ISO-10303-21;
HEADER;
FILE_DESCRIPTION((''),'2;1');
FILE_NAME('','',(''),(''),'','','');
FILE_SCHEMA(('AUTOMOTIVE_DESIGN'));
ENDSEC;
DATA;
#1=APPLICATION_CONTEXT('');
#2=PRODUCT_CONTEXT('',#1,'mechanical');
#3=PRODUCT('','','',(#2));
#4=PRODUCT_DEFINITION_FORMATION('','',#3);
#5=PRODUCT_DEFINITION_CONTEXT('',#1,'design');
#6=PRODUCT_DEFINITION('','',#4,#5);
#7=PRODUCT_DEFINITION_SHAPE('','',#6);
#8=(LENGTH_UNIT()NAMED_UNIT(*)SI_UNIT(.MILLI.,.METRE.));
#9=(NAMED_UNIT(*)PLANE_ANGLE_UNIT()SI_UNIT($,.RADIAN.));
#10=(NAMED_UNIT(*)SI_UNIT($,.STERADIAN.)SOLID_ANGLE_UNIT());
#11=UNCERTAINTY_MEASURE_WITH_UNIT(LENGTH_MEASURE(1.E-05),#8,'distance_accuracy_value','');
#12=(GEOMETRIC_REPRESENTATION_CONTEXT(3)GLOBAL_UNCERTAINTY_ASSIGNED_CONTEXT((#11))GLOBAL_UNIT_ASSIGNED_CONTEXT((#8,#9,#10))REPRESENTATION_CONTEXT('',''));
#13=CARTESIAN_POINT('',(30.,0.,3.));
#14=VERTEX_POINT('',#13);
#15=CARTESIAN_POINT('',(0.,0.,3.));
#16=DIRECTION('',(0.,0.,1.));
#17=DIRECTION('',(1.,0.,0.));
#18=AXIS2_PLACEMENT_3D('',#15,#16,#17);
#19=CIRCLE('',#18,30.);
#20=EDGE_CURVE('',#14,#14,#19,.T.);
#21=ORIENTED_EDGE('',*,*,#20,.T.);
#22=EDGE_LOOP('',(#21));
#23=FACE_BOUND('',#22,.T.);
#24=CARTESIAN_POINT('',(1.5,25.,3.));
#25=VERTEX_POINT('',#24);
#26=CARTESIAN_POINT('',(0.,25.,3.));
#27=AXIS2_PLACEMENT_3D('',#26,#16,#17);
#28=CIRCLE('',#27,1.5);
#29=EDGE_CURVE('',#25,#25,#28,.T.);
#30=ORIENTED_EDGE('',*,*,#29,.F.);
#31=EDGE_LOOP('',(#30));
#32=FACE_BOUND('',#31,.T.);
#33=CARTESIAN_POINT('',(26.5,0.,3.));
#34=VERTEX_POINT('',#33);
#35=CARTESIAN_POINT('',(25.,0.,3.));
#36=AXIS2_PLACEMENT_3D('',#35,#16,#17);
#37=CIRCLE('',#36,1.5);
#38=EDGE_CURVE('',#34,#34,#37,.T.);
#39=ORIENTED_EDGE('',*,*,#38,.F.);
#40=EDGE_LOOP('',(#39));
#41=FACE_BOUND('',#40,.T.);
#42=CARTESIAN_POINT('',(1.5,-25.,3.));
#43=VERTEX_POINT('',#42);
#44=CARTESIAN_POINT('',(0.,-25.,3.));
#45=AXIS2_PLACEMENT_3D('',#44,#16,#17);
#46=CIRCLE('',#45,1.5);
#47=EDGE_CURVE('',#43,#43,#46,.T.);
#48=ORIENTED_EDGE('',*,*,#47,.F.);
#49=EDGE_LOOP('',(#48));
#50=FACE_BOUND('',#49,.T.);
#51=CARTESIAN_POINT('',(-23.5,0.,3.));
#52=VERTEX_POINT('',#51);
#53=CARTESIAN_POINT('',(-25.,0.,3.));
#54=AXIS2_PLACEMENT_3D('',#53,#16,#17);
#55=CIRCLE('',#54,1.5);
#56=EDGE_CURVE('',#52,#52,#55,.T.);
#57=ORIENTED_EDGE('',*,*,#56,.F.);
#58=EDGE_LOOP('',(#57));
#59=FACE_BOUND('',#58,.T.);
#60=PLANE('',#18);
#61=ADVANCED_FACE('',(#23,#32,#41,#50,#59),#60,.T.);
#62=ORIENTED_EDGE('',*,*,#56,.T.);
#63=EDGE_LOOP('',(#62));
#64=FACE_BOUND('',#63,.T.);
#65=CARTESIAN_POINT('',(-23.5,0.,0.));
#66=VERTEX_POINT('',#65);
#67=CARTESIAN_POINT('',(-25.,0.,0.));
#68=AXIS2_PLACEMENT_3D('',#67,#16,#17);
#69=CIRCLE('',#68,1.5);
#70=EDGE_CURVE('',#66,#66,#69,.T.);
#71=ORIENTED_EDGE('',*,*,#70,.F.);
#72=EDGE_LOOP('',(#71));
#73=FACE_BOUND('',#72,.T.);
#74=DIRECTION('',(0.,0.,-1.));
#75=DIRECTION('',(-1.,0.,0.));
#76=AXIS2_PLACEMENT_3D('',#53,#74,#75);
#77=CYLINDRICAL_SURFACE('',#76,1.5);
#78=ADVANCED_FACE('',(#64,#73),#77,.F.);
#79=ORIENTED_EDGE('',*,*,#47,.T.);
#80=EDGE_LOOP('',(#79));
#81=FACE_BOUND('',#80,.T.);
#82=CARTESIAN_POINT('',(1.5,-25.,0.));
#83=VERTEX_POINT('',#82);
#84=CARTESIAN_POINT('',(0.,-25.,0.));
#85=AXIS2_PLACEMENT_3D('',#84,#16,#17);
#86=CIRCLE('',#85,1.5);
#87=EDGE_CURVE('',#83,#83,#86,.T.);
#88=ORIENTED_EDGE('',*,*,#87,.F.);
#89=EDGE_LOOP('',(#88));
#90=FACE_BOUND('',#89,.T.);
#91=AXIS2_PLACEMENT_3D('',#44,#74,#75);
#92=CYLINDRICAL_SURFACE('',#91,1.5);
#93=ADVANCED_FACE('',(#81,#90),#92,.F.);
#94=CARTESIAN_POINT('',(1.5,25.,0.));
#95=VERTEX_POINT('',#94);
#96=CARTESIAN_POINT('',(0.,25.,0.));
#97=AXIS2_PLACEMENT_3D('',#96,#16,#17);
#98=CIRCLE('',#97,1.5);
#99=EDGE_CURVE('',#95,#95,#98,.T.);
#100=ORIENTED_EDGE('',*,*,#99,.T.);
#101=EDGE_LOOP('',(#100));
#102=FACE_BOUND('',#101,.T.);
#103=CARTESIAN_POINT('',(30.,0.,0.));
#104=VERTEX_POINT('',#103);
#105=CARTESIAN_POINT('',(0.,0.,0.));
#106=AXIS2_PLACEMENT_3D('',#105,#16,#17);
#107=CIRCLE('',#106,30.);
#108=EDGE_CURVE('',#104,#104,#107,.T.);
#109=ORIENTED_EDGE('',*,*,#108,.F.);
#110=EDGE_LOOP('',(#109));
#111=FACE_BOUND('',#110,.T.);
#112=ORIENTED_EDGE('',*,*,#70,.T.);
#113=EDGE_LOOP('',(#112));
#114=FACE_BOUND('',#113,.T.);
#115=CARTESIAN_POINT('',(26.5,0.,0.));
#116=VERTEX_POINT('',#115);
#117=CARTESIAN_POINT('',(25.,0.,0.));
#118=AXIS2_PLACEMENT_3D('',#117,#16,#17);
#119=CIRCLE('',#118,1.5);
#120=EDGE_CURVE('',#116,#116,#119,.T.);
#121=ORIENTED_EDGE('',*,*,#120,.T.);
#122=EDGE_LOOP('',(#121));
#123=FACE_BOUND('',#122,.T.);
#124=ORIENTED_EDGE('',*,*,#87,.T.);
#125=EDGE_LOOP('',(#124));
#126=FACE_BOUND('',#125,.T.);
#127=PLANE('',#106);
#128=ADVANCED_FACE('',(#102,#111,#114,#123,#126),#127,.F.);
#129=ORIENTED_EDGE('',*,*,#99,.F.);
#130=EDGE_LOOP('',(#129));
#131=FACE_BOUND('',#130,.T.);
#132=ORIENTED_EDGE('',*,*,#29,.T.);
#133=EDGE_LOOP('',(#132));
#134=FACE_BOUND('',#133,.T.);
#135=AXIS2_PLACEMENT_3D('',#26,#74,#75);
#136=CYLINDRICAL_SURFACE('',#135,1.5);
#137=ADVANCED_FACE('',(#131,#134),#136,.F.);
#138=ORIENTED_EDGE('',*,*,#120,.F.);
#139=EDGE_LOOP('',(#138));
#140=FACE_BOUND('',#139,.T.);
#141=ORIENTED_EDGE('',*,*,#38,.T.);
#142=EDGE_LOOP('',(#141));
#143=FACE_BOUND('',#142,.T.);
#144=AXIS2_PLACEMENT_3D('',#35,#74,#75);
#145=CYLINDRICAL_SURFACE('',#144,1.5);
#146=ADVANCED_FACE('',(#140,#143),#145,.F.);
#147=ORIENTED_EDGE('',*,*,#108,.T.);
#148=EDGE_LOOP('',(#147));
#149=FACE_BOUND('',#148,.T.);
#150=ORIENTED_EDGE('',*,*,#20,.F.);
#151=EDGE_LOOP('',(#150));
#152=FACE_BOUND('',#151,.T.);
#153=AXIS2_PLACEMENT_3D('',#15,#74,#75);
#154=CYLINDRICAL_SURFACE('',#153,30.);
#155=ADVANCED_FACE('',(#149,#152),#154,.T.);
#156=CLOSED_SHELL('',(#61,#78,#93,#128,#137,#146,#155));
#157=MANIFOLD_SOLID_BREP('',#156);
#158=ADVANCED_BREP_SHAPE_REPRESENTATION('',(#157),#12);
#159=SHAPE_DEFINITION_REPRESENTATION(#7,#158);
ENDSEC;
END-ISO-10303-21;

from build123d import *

# Parameters (mm, degrees)
ESQUISSE1_R        = 30
ESQUISSE1_R_2      = 1.5
BOSS_EXTRU_1_DEPTH = 3


with BuildPart() as part:
    # Esquisse1 → Boss.-Extru.1 (new body)
    with BuildSketch(Plane.XY):
        Circle(ESQUISSE1_R)
        with Locations((0, 25)):
            Circle(ESQUISSE1_R_2, mode=Mode.SUBTRACT)
        with Locations((-25, 0)):
            Circle(ESQUISSE1_R_2, mode=Mode.SUBTRACT)
        with Locations((25, 0)):
            Circle(ESQUISSE1_R_2, mode=Mode.SUBTRACT)
        with Locations((0, -25)):
            Circle(ESQUISSE1_R_2, mode=Mode.SUBTRACT)
    extrude(amount=BOSS_EXTRU_1_DEPTH)


solid = part.part
